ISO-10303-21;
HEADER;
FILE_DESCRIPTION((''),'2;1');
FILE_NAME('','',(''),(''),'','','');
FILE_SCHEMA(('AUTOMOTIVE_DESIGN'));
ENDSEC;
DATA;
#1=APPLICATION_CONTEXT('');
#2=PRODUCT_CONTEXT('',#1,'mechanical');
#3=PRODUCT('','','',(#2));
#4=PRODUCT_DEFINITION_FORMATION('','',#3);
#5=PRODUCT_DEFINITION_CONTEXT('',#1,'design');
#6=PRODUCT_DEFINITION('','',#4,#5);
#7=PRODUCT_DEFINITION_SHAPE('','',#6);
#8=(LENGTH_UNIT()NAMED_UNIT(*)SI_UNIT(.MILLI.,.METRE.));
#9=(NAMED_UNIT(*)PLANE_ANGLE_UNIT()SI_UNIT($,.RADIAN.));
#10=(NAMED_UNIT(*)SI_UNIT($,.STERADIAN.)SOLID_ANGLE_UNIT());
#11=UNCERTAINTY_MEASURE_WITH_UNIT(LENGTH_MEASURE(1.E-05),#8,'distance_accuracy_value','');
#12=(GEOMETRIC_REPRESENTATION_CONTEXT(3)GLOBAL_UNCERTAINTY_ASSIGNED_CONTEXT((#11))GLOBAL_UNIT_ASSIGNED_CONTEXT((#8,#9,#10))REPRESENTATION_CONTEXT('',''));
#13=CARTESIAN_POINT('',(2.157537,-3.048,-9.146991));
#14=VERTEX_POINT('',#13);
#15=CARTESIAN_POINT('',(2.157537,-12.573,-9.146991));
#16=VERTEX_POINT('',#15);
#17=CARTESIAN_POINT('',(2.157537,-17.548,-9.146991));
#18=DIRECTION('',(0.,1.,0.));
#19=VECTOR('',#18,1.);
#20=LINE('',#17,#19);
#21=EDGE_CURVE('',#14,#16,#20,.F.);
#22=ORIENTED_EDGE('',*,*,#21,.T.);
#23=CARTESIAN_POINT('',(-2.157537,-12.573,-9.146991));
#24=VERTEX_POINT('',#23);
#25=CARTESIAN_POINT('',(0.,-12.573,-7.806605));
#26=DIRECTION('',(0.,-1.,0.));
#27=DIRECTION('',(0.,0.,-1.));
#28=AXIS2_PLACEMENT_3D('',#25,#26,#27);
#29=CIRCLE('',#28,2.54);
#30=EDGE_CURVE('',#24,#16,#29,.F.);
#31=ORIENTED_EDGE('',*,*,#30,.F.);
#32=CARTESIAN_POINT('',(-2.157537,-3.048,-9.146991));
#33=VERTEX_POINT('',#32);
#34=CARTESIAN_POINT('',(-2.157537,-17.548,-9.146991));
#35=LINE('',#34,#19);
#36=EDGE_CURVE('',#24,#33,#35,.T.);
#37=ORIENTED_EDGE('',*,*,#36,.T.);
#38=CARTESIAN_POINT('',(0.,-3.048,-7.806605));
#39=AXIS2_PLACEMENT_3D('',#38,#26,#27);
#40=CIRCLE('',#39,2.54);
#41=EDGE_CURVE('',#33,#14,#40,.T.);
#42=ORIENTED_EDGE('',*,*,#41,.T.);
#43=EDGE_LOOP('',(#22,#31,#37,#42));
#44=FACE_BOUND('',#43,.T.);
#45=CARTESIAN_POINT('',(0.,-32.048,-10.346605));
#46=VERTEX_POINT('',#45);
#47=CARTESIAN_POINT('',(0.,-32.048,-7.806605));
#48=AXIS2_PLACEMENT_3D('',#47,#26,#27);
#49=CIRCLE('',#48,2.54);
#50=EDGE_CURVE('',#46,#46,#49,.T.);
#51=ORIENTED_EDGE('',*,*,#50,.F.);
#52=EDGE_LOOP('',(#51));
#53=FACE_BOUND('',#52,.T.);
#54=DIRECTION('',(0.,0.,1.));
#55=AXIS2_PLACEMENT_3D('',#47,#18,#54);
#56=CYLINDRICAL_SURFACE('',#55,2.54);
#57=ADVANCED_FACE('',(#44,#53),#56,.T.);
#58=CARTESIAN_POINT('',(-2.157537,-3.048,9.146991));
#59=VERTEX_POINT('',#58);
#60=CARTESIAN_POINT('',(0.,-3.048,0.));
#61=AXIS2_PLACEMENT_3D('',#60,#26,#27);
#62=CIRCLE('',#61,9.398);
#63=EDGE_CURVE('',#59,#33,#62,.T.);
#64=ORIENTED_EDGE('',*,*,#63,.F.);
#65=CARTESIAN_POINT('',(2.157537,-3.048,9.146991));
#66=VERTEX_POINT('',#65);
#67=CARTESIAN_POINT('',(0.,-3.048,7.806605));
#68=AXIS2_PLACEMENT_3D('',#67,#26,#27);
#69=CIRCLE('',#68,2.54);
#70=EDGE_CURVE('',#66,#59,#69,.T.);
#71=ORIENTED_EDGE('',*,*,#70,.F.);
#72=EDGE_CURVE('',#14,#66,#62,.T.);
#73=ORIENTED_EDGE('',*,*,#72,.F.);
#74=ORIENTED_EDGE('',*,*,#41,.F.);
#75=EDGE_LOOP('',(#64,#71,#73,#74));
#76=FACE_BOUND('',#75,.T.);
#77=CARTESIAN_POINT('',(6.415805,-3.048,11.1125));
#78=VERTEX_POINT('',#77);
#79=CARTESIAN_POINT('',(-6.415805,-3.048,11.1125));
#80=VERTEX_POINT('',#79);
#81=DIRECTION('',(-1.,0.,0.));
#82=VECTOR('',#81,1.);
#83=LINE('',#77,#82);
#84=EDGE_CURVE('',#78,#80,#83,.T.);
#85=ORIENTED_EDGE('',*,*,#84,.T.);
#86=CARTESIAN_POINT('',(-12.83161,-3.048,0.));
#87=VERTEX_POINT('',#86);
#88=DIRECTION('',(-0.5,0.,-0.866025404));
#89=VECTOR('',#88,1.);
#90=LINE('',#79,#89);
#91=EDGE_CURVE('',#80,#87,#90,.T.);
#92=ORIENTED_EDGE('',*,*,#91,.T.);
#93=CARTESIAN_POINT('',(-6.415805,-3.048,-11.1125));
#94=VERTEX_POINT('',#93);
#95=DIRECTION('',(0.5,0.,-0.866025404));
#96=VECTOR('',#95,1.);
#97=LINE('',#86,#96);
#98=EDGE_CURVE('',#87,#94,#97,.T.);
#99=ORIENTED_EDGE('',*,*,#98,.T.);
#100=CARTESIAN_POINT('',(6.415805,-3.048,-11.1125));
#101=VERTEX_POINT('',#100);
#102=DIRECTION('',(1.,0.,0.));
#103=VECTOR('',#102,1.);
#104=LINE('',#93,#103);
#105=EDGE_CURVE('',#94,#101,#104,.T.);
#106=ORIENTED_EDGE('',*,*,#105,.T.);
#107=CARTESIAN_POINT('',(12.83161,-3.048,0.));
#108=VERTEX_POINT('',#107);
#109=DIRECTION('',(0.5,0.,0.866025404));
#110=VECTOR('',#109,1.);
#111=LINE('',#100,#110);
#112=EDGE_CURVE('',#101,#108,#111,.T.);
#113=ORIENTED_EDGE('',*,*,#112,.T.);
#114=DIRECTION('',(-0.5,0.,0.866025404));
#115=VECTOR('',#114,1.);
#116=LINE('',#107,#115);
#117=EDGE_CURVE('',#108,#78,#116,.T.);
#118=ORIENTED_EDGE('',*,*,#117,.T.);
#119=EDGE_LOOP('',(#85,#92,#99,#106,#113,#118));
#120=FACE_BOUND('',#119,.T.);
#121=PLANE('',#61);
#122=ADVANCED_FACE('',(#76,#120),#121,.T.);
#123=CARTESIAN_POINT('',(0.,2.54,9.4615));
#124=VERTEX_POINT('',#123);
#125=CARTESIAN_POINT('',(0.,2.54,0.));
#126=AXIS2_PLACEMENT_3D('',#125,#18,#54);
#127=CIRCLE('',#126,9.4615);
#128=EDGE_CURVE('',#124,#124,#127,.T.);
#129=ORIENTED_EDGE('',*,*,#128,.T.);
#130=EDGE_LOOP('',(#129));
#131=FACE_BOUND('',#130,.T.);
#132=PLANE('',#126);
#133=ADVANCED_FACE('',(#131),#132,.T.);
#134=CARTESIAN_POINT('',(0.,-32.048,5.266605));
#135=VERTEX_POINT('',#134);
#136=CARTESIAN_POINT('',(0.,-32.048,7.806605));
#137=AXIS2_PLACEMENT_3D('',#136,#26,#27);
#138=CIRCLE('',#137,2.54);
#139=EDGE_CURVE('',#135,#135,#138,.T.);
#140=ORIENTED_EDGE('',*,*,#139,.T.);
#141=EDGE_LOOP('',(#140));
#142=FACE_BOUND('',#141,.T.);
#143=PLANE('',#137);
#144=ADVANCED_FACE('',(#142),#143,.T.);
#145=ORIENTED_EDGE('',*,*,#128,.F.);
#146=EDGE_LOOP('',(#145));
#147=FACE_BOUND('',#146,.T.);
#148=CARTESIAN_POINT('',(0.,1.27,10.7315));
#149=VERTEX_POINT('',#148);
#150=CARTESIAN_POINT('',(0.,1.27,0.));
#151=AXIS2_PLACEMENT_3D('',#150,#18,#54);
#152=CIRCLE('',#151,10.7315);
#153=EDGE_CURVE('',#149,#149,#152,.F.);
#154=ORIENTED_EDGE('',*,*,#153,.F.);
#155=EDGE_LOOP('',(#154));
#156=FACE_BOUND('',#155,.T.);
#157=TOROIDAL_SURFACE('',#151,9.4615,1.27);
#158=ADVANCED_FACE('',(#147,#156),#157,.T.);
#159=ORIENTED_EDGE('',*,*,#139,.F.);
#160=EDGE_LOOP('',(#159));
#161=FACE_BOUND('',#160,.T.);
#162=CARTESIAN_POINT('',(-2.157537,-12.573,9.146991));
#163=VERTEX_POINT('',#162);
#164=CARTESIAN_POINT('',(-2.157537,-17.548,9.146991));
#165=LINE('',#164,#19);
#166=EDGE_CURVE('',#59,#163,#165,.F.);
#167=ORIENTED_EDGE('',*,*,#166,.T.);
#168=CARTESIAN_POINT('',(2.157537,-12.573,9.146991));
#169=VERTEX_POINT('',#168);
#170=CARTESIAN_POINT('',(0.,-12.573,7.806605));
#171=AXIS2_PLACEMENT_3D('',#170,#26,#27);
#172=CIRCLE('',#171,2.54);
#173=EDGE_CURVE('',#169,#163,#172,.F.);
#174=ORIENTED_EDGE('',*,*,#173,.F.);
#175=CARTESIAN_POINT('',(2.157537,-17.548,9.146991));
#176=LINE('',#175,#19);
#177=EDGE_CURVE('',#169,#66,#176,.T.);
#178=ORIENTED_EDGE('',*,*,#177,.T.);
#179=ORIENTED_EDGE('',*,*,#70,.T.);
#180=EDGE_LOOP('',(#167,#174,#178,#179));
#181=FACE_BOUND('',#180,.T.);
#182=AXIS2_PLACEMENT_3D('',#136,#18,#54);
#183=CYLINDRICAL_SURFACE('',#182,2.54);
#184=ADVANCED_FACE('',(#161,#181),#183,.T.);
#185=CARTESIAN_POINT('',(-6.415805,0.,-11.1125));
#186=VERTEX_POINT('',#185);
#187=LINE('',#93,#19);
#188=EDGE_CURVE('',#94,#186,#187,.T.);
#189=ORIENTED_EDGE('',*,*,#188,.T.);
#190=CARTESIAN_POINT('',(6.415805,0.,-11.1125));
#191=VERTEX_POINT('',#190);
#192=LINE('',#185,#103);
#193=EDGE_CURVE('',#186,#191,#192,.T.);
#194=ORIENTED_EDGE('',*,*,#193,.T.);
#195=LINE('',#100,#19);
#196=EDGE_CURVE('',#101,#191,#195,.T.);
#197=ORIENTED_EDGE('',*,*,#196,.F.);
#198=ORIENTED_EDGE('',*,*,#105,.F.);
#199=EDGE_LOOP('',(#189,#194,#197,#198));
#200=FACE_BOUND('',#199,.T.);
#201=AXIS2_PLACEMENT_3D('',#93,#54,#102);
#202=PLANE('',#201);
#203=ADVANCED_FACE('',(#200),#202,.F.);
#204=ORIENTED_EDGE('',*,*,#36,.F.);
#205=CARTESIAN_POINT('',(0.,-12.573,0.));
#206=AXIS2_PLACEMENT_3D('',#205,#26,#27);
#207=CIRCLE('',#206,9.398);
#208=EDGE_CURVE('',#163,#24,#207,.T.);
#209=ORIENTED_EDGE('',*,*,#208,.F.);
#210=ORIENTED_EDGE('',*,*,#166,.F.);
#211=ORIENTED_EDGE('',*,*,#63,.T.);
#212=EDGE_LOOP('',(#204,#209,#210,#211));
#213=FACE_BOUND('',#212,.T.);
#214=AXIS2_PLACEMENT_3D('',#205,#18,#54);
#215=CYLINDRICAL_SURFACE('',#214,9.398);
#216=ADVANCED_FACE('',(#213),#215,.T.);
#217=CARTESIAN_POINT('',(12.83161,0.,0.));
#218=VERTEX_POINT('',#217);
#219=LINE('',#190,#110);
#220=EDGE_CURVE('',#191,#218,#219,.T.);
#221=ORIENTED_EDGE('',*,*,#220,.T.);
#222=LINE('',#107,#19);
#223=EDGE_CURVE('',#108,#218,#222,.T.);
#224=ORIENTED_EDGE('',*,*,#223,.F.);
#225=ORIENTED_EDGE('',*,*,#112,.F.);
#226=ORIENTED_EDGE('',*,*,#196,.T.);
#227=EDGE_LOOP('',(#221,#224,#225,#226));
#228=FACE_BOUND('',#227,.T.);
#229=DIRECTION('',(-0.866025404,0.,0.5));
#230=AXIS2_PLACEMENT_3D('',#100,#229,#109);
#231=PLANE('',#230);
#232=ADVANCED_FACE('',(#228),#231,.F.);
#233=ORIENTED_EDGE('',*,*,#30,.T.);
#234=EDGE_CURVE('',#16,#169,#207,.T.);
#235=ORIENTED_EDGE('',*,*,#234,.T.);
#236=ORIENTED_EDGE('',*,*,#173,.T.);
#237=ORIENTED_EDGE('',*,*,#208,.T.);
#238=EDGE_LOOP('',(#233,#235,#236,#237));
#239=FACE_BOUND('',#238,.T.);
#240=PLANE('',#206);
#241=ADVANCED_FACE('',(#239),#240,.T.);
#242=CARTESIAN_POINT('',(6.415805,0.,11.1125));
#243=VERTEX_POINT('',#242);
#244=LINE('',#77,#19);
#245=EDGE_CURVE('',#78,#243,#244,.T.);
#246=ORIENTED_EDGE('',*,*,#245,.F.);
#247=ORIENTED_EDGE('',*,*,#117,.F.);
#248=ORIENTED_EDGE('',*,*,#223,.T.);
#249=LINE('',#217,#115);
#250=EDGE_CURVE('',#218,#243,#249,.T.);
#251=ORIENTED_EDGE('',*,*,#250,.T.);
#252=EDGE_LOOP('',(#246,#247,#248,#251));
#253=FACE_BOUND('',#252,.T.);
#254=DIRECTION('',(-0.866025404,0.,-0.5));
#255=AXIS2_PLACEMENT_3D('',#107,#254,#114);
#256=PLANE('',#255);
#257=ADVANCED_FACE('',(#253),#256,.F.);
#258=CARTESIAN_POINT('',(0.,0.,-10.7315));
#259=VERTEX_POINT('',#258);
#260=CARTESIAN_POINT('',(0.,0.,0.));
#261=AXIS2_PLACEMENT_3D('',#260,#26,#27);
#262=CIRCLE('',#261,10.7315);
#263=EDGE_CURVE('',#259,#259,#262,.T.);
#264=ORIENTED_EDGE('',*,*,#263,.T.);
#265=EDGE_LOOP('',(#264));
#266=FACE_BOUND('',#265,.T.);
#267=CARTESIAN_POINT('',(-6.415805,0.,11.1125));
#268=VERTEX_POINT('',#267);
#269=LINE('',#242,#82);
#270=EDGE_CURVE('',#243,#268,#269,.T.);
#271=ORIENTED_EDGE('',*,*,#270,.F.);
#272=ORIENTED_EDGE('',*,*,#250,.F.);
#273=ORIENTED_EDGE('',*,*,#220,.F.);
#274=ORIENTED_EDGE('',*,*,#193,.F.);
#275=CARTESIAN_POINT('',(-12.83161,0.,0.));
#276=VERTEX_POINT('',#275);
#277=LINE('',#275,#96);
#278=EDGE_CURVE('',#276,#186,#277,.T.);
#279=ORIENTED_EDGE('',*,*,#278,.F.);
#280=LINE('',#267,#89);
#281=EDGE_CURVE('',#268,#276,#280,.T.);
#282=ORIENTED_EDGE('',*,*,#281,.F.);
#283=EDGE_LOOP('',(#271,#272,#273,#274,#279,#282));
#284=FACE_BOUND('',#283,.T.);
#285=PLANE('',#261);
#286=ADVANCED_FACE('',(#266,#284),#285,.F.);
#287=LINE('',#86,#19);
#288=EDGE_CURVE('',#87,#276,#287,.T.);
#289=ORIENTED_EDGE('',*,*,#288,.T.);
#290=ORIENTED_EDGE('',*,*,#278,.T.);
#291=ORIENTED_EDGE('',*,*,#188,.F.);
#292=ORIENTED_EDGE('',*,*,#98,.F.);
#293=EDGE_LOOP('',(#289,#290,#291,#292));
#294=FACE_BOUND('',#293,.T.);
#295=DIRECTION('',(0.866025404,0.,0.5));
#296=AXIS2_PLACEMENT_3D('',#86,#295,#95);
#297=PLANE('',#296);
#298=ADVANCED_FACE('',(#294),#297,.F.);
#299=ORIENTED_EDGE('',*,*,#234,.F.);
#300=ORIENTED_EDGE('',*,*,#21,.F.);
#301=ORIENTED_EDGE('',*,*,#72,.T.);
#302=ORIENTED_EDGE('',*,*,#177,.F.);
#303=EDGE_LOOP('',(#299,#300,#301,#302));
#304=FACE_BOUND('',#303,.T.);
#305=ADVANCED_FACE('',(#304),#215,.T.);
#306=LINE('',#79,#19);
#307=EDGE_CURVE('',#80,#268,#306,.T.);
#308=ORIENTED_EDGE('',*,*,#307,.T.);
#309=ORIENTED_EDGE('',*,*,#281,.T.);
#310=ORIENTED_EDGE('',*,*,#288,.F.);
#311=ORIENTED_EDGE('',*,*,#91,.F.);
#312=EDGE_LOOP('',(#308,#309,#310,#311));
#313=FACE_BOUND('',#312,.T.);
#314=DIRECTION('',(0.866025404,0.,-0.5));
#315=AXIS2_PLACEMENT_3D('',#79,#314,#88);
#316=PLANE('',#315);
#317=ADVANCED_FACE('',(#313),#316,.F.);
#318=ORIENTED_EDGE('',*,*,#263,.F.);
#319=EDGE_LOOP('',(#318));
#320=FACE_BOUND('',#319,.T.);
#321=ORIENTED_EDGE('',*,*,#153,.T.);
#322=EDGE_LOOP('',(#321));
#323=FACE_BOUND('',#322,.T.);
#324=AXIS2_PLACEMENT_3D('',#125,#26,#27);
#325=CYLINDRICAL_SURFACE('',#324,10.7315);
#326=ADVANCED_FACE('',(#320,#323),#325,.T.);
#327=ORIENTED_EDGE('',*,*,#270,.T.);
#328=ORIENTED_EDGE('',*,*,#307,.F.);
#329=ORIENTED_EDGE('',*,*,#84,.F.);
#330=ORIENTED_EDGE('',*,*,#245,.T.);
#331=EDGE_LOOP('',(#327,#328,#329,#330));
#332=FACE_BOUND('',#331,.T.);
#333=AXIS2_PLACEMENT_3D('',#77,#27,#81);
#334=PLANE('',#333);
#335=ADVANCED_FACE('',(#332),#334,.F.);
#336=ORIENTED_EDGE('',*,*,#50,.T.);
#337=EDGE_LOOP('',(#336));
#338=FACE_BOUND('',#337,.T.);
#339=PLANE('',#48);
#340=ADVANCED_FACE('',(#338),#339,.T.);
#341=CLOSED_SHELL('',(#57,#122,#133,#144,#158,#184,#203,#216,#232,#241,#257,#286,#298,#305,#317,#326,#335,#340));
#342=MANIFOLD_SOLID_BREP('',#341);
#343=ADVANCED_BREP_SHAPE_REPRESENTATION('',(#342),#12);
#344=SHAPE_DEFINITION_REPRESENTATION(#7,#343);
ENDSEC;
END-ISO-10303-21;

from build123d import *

# Parameters (mm, degrees)
SKETCH1_R           = 10.7315
BOSS_EXTRUDE1_DEPTH = 2.54
BOSS_EXTRUDE2_DEPTH = 3.048
SKETCH4_R           = 9.398
BOSS_EXTRUDE4_DEPTH = 9.525
SKETCH3_R           = 2.54
BOSS_EXTRUDE3_DEPTH = 29
FILLET1_R           = 1.27


with BuildPart() as part:
    # Sketch1 → Boss-Extrude1 (new body)
    with BuildSketch(Plane(origin=(0, 0, 0), x_dir=(1, 0, 0), z_dir=(0, 1, 0))):
        with Locations(Location((0, 0, 0), (0, 0, 270))):
            Circle(SKETCH1_R)
    extrude(amount=BOSS_EXTRUDE1_DEPTH)

    # Sketch2 → Boss-Extrude2 (add)
    with BuildSketch(Plane.XZ):
        Polygon((-12.831609733, 0), (-6.415804866, -11.1125), (6.415804866, -11.1125), (12.831609733, 0), (6.415804866, 11.1125), (-6.415804866, 11.1125), align=None)
    extrude(amount=BOSS_EXTRUDE2_DEPTH)

    # Sketch4 → Boss-Extrude4 (add)
    with BuildSketch(Plane.XZ.offset(3.048)):
        with Locations(Location((0, 0, 0), (0, 0, 90))):
            Circle(SKETCH4_R)
    extrude(amount=BOSS_EXTRUDE4_DEPTH)

    # Sketch3 → Boss-Extrude3 (add)
    with BuildSketch(Plane.XZ.offset(3.048)):
        with Locations(Location((0, 7.80660503, 0), (0, 0, 31.85091732))):
            Circle(SKETCH3_R)
        with Locations(Location((0, -7.80660503, 0), (0, 0, 211.85091732))):
            Circle(SKETCH3_R)
    extrude(amount=BOSS_EXTRUDE3_DEPTH)

    # Fillet1
    fillet1_edges = [part.edges().sort_by_distance(p)[0] for p in [
        (0, 2.54, -10.7315),
    ]]
    fillet(fillet1_edges, radius=FILLET1_R)


solid = part.part
